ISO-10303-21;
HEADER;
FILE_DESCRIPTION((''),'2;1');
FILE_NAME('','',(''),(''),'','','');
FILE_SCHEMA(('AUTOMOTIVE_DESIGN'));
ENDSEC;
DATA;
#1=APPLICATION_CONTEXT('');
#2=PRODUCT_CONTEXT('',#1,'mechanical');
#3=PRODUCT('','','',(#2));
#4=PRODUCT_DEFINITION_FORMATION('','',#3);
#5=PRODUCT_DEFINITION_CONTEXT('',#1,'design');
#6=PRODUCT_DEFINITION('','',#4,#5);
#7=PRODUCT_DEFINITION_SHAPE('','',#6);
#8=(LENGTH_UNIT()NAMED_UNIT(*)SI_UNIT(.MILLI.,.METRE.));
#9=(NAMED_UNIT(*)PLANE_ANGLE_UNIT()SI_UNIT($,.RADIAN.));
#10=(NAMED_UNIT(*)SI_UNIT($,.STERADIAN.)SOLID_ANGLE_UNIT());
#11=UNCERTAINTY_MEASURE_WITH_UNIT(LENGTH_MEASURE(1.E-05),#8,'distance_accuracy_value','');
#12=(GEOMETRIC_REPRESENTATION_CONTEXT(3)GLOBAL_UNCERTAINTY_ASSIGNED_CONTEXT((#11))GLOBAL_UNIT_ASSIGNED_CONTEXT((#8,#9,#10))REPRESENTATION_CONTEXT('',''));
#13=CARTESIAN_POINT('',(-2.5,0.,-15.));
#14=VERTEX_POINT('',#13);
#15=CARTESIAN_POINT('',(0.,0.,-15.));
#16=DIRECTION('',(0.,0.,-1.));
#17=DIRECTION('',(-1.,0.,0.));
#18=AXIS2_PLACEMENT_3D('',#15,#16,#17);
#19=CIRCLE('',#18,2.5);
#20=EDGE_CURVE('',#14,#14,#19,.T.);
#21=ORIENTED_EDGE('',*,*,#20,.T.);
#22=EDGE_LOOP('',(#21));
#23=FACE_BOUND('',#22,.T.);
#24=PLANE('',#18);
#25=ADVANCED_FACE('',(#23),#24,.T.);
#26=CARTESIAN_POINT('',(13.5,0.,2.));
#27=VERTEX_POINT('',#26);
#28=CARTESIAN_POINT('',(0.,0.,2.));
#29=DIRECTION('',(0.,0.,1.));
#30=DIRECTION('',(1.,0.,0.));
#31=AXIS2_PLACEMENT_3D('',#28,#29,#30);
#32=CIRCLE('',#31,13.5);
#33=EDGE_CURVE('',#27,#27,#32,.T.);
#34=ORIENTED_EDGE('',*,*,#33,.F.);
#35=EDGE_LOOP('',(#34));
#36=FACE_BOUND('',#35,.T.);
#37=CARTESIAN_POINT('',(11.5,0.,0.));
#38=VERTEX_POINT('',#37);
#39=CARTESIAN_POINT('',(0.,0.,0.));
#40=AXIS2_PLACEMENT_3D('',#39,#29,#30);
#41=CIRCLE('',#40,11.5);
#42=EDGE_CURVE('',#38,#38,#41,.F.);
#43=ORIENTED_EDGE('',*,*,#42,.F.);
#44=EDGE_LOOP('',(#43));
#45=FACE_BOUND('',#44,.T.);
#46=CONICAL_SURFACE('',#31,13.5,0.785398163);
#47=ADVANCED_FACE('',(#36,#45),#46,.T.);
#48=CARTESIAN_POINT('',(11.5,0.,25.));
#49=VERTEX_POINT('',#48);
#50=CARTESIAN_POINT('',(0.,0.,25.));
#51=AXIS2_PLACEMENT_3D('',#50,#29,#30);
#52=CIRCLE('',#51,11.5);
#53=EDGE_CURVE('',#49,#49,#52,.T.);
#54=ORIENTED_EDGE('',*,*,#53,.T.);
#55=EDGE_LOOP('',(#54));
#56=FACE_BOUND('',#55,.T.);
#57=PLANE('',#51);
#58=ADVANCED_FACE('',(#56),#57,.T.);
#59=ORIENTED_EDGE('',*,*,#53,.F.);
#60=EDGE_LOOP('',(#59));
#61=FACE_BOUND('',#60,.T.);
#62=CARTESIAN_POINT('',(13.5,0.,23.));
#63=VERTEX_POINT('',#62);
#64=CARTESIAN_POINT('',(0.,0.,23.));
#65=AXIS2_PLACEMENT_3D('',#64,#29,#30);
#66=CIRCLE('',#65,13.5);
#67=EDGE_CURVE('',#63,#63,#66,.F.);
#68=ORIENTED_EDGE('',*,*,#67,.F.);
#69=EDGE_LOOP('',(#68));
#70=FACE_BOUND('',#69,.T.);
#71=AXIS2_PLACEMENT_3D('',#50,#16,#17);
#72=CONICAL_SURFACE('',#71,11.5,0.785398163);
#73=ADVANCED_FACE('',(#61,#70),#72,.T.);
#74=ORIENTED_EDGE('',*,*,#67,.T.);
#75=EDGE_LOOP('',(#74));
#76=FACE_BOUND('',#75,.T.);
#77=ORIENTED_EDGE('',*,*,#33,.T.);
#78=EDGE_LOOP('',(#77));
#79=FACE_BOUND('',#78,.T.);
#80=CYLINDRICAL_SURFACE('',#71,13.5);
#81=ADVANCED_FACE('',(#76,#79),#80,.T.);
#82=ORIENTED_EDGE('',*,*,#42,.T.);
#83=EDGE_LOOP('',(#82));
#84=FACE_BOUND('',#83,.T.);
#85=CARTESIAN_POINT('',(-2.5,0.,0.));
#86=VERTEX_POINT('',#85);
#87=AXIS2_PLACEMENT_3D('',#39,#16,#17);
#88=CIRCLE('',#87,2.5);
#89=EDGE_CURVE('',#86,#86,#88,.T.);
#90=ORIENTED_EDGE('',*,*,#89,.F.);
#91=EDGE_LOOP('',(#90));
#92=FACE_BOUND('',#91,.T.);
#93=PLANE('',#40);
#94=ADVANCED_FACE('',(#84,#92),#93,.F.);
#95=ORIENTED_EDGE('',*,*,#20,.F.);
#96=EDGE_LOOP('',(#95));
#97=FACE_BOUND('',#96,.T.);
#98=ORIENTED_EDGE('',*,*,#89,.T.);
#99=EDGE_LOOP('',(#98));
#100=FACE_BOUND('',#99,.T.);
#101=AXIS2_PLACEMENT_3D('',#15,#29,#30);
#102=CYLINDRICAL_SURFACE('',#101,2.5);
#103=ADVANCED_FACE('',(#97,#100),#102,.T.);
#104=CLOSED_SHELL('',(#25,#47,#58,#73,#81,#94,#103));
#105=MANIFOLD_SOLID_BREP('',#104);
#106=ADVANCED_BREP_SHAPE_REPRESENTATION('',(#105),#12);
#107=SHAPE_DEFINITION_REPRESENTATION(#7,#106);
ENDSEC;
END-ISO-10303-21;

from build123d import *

# Parameters (mm, degrees)
SKETCH_1_R      = 13.5
EXTRUDE_1_DEPTH = 25
CHAMFER_1_SIZE  = 2
SKETCH_2_R      = 2.5
EXTRUDE_2_DEPTH = 15


with BuildPart() as part:
    # 스케치1 → 보스-돌출1 (new body)
    with BuildSketch(Plane.XY):
        Circle(SKETCH_1_R)
    extrude(amount=EXTRUDE_1_DEPTH)

    # 모따기1
    chamfer_1_edges = [part.edges().sort_by_distance(p)[0] for p in [
        (-13.5, 0, 0),
        (-13.5, 0, 25),
    ]]
    chamfer(chamfer_1_edges, length=CHAMFER_1_SIZE)

    # 스케치2 → 보스-돌출2 (add)
    with BuildSketch(Plane(origin=(0, 0, 0), x_dir=(-1, 0, 0), z_dir=(0, 0, -1))):
        Circle(SKETCH_2_R)
    extrude(amount=EXTRUDE_2_DEPTH)


solid = part.part
